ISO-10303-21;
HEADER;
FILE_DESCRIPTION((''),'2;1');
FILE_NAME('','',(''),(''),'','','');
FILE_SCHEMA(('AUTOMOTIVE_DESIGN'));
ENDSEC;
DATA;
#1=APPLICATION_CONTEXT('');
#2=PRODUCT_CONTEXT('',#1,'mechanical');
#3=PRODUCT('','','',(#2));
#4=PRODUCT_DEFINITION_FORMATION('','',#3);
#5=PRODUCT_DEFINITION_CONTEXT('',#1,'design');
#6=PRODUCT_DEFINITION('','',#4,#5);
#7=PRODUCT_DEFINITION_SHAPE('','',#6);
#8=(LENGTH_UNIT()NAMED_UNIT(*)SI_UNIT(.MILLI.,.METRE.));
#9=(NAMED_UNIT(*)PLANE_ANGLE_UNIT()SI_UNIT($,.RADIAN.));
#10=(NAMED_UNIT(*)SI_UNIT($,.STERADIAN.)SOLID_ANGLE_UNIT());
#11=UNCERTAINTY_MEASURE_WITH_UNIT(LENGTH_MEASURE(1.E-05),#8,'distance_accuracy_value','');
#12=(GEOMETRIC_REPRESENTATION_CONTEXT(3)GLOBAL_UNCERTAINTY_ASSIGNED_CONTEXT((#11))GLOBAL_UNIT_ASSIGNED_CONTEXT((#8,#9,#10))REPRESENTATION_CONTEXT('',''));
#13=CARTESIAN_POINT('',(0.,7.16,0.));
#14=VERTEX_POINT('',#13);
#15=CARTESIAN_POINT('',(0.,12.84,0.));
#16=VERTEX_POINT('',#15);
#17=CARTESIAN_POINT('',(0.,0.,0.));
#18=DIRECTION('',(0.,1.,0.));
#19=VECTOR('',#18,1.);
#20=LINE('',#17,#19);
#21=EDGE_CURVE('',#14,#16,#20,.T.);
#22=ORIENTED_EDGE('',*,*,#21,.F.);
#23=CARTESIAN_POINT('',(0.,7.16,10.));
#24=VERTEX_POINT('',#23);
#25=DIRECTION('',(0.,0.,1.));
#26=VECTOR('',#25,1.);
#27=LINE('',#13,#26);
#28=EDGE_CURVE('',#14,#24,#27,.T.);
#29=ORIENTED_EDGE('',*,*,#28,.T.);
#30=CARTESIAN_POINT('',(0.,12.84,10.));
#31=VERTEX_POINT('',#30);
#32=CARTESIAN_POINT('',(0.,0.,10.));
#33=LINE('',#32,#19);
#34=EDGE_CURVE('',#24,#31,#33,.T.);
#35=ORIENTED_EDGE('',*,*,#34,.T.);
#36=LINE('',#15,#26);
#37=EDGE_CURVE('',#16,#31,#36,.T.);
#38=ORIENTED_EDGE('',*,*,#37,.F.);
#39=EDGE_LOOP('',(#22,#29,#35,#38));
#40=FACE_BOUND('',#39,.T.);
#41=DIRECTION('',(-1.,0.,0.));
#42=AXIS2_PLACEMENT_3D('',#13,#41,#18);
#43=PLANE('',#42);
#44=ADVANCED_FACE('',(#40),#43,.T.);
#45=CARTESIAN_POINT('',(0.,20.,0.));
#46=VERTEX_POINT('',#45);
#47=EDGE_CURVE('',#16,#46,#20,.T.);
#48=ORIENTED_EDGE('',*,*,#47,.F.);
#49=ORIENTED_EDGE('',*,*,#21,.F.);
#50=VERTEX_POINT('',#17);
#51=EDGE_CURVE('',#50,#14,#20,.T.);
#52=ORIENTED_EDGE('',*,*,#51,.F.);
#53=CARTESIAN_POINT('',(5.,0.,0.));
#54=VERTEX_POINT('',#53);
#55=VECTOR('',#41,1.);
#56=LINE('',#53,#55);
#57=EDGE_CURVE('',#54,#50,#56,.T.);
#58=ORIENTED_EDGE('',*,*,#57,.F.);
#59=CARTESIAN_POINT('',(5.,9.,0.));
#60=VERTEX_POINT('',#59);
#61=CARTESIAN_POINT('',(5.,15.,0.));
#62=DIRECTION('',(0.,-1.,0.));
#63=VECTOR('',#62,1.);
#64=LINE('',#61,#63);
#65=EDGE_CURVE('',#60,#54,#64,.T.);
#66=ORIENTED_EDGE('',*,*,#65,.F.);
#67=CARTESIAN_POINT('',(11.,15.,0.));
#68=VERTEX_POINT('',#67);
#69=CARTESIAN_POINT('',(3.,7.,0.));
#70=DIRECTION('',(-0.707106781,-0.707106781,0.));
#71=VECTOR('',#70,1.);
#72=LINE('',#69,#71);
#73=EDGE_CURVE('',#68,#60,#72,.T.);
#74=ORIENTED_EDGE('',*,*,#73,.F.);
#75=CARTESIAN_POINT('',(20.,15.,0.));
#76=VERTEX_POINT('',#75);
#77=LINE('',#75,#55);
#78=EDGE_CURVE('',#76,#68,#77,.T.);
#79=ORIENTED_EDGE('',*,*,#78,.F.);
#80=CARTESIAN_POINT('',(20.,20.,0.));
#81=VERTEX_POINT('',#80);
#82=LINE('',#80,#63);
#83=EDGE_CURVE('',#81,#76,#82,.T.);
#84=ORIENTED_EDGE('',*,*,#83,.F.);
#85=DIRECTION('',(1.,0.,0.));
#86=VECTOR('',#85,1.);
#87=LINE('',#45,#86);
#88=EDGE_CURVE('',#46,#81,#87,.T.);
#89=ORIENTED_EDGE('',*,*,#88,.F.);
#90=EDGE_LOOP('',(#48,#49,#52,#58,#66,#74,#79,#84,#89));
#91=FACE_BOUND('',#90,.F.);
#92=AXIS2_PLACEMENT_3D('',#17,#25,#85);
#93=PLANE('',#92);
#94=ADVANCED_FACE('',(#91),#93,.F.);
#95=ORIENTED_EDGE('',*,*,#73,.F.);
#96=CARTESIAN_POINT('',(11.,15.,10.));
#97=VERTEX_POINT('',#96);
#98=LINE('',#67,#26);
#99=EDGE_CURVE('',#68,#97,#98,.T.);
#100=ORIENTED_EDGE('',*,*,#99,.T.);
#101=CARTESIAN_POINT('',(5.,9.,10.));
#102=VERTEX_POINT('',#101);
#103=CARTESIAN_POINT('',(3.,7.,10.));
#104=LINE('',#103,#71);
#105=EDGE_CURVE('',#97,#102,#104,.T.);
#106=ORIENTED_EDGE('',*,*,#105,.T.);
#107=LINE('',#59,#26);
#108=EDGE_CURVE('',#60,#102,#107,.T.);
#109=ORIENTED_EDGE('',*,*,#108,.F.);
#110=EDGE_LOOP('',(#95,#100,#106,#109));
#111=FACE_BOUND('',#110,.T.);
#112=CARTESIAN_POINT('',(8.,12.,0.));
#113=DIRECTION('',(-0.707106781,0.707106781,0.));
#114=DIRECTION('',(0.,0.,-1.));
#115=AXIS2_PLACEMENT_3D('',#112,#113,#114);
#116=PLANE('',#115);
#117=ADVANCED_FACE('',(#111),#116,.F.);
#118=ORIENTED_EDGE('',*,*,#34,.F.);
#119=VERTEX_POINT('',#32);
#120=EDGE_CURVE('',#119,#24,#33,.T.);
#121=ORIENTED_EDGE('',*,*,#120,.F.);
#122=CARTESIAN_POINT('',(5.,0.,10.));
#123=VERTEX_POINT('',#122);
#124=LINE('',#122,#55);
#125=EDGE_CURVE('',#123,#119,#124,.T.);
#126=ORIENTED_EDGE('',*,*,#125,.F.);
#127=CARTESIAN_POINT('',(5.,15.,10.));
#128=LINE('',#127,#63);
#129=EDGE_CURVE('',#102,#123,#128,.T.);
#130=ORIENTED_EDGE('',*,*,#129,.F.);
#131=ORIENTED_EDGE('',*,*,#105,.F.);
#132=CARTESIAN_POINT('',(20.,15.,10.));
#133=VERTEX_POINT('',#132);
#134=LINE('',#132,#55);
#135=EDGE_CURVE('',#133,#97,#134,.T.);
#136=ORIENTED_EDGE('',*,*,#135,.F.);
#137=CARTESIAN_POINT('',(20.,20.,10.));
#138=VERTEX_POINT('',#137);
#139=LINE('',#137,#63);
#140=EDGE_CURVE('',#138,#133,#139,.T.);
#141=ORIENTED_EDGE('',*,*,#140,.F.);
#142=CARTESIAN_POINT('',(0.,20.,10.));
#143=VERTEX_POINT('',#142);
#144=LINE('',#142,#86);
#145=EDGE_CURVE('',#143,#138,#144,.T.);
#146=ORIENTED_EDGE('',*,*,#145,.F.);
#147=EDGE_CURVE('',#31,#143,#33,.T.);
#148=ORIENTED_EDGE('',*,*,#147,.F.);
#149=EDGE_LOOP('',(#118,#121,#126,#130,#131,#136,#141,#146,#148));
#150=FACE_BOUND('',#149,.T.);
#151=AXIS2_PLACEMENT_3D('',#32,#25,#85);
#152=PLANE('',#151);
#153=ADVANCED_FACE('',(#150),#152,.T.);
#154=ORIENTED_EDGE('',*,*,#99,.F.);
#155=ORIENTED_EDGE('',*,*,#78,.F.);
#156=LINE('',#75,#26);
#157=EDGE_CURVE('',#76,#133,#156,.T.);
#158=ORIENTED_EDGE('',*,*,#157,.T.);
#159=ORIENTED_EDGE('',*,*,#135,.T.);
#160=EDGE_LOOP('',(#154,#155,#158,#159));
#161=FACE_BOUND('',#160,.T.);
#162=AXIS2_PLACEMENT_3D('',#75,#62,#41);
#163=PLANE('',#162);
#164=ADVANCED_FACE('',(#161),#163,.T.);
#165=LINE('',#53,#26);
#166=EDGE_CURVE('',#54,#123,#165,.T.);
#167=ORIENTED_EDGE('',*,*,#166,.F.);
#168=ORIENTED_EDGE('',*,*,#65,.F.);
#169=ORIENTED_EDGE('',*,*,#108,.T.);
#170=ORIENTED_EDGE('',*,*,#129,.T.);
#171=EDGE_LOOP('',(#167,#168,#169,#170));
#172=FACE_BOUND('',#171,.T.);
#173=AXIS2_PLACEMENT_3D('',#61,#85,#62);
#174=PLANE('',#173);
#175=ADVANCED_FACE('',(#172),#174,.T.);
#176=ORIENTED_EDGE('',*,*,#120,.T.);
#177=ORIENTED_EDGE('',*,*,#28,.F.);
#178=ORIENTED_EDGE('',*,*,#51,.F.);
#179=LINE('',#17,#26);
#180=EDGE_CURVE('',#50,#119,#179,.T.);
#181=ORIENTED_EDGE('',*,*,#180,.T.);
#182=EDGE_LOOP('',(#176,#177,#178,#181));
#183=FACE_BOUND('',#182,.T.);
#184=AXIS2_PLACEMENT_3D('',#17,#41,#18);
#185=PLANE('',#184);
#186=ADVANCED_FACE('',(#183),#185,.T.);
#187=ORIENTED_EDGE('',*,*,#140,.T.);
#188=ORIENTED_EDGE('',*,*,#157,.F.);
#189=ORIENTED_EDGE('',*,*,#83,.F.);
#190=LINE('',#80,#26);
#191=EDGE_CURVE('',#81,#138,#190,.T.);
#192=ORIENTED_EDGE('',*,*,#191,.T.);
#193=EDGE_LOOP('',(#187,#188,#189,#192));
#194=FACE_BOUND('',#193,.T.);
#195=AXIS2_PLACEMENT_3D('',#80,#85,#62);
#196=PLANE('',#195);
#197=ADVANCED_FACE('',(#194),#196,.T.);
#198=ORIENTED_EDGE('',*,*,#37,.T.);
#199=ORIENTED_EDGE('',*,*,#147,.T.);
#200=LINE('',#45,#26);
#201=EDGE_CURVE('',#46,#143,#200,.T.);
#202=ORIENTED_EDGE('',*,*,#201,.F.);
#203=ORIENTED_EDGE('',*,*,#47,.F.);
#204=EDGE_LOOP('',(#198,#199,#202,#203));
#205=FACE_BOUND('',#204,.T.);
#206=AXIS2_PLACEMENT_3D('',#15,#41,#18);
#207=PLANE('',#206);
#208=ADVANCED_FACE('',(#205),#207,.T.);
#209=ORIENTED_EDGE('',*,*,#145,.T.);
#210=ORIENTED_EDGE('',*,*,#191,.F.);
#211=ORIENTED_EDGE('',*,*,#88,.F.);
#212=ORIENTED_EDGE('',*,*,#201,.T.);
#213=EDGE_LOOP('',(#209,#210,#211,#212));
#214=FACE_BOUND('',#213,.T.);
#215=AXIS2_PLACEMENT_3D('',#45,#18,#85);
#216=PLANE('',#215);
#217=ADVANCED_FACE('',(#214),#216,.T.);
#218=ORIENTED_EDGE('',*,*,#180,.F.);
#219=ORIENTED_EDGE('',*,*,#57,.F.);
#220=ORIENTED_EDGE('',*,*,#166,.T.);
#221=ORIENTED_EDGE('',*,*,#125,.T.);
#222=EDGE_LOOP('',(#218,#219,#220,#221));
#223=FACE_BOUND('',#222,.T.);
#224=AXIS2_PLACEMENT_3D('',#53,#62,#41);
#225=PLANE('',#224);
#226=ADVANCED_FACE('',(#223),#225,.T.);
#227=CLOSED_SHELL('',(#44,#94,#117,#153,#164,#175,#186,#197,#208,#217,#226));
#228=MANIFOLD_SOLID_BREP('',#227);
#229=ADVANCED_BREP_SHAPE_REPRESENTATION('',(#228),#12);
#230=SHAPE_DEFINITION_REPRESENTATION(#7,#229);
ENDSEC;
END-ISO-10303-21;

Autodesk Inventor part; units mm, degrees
ref_plane "YZ Plane" through (0, 0, 0) normal (1, 0, 0) x (0, 1, 0)
ref_plane "XZ Plane" through (0, 0, 0) normal (0, 1, 0) x (-1, 0, 0)
ref_plane "XY Plane" through (0, 0, 0) normal (0, 0, 1) x (1, 0, 0)
sketch "Boceto1" plane through (0, 0, 0) normal (0, 0, 1) x (1, 0, 0)
  line L0 (0, 0) -> (0, 20)
  line L1 (0, 20) -> (20, 20)
  line L2 (20, 20) -> (20, 15)
  line L3 (20, 15) -> (5, 15)
  line L4 (5, 15) -> (5, 0)
  line L5 (5, 0) -> (0, 0)
  line L6 (0, 12.84) -> (-1.8, 12.84)
  line L7 (-1.8, 12.84) -> (-1.8, 15.5)
  line L8 (-1.8, 15.5) -> (-3.44, 15.5)
  line L9 (-3.44, 15.5) -> (-3.44, 4.5)
  line L10 (-3.44, 4.5) -> (-1.8, 4.5)
  line L11 (-1.8, 4.5) -> (-1.8, 7.16)
  line L12 (-1.8, 7.16) -> (0, 7.16)
  line L13 (0, 12.84) -> (0, 7.16)
  dimension "d0" = 20
  dimension "d1" = 20
  dimension "d2" = 5
  dimension "d3" = 5
  dimension "d7" = 11
  dimension "d8" = 1.8
  dimension "d9" = 1.64
  dimension "d10" = 5.68
  dimension "d11" = 2.66
  dimension "d12" = 2.66
  dimension "d13" = 7.16
  dimension "d14" = 7.16
extrude "Extrusión1" add sketch "Boceto1" along normal blind 10 contours L0 L1 L2 L3 L4 L5
chamfer "Chaflán1" distance 6 angle 45 1 edges at (5, 15, 5)
equation "\"d11\" = d12"
equation "\"d13\" = d14"
properties part number "Soporte_cajas" material "Plástico PC/ABS"
